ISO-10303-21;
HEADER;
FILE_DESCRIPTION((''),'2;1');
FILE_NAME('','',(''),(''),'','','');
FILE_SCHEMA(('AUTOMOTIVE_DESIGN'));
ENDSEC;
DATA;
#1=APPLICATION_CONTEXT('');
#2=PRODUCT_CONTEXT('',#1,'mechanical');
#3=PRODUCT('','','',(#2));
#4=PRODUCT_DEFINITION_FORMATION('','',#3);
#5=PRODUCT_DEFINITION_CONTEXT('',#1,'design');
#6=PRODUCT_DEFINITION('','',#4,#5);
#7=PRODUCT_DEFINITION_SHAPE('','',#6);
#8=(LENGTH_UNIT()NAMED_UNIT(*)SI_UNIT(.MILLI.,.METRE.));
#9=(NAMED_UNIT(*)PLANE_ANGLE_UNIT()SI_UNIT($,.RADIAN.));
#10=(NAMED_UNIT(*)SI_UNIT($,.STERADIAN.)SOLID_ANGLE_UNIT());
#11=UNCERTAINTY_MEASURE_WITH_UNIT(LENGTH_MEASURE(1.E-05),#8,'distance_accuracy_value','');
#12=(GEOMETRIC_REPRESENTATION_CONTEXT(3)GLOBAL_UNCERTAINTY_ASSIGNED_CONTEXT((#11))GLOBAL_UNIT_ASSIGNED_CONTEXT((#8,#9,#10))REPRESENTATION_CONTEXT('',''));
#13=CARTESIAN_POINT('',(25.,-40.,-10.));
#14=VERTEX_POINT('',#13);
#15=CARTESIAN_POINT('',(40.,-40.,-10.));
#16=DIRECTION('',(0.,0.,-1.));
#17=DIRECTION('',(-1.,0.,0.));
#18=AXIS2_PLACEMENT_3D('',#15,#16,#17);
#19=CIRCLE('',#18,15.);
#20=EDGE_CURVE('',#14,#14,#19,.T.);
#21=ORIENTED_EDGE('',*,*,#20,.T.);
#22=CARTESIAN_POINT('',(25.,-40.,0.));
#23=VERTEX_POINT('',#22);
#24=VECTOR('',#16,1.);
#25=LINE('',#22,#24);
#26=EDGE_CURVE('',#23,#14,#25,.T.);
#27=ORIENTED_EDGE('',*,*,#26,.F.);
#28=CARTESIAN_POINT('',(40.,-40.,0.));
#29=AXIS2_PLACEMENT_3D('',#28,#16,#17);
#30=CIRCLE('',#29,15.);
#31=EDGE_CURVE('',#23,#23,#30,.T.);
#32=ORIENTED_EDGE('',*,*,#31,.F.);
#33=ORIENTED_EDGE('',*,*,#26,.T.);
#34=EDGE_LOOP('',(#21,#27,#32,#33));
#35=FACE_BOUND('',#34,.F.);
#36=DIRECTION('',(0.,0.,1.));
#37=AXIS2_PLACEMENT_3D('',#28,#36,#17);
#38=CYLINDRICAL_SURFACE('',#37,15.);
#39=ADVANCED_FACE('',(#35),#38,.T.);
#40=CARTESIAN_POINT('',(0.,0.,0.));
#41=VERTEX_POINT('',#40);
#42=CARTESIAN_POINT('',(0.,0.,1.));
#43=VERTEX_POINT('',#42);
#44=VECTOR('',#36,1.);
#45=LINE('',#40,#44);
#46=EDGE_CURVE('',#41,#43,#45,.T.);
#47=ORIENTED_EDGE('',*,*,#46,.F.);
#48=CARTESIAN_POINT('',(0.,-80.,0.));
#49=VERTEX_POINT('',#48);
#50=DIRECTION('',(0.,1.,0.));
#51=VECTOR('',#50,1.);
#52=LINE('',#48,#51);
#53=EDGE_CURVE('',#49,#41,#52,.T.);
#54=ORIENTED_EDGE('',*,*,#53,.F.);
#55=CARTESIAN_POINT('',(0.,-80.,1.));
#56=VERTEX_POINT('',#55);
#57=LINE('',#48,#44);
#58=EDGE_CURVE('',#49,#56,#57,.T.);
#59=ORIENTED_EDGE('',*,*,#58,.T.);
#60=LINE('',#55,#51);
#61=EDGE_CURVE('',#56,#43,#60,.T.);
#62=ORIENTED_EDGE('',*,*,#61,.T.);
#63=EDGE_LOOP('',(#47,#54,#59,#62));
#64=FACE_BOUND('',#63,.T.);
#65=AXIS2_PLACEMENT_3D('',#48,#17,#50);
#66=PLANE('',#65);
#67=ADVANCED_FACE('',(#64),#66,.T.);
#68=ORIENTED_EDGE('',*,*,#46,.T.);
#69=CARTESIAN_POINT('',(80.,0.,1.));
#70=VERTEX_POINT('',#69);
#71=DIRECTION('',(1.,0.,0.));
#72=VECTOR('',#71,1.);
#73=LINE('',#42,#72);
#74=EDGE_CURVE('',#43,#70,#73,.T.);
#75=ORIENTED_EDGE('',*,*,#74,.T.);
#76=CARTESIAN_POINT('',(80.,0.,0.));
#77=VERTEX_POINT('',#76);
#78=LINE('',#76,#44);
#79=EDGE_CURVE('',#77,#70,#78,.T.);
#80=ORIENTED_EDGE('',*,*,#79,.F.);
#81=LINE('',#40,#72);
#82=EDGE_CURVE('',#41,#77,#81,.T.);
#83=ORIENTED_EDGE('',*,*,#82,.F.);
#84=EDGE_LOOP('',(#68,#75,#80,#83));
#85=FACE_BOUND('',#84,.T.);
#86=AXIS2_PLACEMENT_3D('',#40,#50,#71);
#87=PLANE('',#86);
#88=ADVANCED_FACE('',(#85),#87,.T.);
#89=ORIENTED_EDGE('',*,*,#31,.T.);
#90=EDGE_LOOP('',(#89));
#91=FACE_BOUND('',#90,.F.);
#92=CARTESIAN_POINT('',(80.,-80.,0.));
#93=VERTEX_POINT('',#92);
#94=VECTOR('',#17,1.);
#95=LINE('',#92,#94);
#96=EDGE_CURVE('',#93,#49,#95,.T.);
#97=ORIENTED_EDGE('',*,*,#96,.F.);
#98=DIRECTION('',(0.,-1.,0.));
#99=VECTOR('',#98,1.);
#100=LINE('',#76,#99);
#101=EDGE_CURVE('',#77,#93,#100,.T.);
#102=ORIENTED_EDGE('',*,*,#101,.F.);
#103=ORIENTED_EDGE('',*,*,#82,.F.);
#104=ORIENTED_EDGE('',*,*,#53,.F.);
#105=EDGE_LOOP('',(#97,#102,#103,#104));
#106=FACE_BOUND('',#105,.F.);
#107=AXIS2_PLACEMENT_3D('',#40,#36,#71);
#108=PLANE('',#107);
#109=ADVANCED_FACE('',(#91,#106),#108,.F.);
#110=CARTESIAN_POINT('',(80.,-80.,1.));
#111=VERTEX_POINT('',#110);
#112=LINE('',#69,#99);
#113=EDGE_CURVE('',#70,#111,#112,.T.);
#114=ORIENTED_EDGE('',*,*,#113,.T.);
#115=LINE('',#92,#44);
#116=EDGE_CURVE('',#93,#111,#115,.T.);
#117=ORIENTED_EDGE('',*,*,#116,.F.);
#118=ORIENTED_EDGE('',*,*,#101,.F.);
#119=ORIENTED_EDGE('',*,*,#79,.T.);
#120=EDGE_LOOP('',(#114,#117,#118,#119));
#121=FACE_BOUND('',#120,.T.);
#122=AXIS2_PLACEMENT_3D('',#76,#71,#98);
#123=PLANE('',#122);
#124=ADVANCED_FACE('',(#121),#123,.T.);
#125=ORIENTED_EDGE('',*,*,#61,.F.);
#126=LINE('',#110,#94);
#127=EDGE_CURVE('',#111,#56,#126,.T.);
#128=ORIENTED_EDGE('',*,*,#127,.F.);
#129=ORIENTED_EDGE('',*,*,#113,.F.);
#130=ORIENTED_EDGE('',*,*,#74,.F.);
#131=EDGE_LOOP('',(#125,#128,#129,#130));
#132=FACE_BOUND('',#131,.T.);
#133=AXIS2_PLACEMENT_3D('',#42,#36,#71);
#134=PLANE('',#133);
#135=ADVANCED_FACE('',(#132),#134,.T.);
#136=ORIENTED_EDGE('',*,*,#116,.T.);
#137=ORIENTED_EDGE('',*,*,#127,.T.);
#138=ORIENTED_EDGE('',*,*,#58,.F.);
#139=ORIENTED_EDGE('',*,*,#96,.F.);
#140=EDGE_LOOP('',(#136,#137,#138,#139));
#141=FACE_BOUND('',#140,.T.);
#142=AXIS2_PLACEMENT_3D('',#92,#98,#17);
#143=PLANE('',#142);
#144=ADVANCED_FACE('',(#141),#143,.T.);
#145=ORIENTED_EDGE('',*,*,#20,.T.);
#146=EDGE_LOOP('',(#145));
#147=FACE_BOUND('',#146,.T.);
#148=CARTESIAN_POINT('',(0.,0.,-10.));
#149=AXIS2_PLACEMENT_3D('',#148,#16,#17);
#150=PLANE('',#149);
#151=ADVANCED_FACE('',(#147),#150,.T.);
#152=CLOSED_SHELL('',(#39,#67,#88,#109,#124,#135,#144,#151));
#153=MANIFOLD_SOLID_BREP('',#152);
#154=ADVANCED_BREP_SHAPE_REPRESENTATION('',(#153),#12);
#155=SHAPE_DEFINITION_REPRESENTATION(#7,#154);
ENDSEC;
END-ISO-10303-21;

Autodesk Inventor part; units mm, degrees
ref_plane "YZ Plane" through (0, 0, 0) normal (1, 0, 0) x (0, 1, 0)
ref_plane "XZ Plane" through (0, 0, 0) normal (0, 1, 0) x (-1, 0, 0)
ref_plane "XY Plane" through (0, 0, 0) normal (0, 0, 1) x (1, 0, 0)
sketch "스케치1" plane through (0, 0, 0) normal (0, 0, 1) x (1, 0, 0)
  line L0 (0, 0) -> (80, 0)
  line L1 (80, 0) -> (80, -80)
  line L2 (80, -80) -> (0, -80)
  line L3 (0, -80) -> (0, 0)
  dimension "d0" = 80
  dimension "d1" = 80
extrude "돌출1" add sketch "스케치1" along normal blind 1
sketch "스케치2" plane through (0, 0, 0) normal (0, 0, -1) x (-1, 0, 0)
  circle A0 centre (-40, -40) radius 15
  point P0 (0, 0)
  dimension "d4" = 40
  dimension "d5" = 40
  dimension "d6" = 30
extrude "돌출2" add sketch "스케치2" along normal blind 10
properties part number "배경"
